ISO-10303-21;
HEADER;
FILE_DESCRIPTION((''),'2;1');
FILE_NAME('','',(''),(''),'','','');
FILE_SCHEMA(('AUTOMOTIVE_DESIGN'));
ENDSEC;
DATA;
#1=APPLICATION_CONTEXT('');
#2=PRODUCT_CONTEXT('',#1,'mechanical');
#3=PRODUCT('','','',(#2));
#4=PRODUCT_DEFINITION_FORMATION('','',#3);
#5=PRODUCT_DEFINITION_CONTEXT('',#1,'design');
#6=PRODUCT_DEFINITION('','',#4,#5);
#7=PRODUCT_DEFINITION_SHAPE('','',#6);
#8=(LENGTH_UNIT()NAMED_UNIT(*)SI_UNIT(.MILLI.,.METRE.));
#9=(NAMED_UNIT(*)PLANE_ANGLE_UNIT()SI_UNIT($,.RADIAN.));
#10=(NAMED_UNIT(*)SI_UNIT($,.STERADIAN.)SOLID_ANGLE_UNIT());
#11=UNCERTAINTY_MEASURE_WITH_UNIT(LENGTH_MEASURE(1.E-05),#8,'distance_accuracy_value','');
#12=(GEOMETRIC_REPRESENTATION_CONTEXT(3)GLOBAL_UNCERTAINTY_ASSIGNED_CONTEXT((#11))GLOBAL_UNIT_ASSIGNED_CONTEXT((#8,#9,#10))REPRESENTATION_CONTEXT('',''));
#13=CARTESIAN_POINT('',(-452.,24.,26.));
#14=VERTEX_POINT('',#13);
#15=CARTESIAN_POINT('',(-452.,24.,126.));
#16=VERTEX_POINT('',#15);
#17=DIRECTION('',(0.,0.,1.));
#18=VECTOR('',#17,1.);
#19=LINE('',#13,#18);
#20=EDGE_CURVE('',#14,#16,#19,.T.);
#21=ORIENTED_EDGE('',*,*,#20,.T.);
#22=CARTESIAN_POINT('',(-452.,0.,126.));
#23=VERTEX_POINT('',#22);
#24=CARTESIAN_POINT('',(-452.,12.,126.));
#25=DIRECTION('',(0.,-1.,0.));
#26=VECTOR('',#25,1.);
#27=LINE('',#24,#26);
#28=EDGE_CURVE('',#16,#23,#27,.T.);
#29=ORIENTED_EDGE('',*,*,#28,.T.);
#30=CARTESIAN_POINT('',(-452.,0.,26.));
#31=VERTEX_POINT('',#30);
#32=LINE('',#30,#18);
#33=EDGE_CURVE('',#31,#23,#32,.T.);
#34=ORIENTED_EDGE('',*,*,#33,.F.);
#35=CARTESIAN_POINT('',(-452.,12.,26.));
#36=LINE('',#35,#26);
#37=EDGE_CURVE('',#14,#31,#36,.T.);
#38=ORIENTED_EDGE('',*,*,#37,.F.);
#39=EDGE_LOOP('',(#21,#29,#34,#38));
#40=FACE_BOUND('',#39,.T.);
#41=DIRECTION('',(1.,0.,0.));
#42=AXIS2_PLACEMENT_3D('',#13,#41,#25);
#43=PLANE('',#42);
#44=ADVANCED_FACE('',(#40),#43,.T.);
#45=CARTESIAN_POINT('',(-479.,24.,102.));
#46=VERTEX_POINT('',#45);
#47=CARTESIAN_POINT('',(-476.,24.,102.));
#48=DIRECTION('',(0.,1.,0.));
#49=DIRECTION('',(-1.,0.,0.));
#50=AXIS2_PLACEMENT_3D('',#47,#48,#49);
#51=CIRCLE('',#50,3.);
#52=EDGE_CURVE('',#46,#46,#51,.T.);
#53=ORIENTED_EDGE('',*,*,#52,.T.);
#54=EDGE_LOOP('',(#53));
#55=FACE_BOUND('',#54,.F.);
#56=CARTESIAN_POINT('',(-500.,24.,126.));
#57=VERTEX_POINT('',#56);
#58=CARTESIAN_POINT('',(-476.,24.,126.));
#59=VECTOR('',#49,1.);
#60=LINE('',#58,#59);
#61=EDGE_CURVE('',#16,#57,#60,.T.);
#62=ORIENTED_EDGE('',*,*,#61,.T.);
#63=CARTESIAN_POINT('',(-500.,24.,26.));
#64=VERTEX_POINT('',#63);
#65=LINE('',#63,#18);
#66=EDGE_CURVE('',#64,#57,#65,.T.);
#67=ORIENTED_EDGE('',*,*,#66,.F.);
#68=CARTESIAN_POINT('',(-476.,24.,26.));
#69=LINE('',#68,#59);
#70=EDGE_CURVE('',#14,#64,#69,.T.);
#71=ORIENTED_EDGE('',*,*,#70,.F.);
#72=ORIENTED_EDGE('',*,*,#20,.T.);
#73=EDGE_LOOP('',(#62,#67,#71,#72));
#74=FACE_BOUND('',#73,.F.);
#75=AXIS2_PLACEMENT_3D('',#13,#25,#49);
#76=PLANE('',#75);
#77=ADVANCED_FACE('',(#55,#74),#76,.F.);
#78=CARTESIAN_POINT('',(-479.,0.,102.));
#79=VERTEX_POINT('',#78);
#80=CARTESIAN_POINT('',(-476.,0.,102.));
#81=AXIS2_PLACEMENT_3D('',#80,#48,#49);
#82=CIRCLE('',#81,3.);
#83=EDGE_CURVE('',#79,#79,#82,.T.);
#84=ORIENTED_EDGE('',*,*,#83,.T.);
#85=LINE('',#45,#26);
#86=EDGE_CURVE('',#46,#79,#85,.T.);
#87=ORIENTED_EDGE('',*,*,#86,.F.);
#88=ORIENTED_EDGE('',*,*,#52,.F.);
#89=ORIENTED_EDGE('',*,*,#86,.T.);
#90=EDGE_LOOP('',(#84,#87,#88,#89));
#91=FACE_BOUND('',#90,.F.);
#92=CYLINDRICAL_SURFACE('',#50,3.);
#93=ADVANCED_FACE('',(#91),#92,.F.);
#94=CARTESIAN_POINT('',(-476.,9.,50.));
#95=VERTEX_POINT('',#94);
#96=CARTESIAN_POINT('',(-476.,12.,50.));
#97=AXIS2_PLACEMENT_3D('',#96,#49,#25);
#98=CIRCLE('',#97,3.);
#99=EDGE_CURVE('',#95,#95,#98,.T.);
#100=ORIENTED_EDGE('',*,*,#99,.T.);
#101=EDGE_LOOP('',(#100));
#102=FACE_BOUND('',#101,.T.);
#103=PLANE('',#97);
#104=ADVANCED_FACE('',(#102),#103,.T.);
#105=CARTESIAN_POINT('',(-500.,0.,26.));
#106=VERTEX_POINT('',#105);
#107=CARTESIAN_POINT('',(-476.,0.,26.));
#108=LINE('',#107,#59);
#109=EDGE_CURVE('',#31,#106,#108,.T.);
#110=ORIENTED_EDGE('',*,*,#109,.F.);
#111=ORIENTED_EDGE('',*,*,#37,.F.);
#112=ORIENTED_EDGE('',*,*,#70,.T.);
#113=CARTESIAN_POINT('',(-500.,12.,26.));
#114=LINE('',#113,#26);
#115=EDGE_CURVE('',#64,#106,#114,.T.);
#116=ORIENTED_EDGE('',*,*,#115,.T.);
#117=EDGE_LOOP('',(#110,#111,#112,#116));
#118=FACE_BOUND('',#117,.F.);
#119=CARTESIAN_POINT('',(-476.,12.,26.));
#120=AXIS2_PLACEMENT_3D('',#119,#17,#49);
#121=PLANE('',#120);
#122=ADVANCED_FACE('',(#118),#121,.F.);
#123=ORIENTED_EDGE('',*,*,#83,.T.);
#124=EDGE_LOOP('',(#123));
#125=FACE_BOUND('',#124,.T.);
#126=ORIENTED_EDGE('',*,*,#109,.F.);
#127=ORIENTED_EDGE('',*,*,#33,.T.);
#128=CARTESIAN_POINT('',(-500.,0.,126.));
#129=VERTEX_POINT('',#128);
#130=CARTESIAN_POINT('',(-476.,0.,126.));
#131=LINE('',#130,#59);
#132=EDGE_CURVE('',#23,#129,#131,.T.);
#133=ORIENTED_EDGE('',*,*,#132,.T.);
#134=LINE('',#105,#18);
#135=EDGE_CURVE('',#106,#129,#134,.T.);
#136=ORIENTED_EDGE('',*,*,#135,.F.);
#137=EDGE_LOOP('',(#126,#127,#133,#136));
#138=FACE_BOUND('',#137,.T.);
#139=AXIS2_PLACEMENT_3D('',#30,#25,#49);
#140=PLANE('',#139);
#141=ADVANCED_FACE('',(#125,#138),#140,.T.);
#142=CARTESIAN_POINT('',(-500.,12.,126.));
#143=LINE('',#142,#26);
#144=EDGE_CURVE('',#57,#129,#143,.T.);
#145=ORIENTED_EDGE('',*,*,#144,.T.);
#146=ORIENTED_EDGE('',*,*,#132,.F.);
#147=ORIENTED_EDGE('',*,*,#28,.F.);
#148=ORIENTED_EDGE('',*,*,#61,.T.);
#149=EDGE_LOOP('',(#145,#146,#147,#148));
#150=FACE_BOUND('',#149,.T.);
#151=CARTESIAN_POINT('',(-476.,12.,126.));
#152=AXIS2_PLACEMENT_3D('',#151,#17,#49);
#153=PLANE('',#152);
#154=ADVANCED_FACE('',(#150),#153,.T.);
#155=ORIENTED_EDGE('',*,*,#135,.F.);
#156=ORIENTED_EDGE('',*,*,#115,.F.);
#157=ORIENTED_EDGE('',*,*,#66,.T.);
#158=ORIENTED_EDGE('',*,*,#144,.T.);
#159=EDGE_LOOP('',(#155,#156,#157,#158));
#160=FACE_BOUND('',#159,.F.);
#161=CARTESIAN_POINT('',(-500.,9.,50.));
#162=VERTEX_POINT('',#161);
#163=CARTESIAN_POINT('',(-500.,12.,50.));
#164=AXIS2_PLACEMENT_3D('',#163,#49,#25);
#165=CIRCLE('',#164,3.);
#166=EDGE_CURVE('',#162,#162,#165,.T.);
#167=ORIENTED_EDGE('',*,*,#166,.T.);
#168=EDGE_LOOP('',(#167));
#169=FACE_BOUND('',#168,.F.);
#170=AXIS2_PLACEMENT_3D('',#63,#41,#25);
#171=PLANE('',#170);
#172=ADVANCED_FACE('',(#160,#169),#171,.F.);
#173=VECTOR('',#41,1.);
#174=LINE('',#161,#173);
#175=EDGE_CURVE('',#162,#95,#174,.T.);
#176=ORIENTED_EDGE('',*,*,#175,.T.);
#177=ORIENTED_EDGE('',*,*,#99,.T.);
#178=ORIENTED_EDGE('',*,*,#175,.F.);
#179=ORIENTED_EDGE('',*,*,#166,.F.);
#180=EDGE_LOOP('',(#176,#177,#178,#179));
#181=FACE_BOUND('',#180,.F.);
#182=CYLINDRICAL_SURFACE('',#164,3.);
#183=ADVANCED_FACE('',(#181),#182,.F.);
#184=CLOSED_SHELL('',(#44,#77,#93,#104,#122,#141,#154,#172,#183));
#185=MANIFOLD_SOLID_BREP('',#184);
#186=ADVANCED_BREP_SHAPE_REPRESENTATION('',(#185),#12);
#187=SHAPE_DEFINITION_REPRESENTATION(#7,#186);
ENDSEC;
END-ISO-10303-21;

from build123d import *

# Parameters (mm, degrees)
SKETCH071_W             = 48
SKETCH071_H             = 24
PAD039_DEPTH            = 100
SKETCH069_R             = 3
POCKET031_DEPTH         = 24
SKETCH070_R             = 3
POCKET030_DEPTH         = 24.001
BODY045_PLACEMENT_ANGLE = 180


with BuildPart() as part:
    # Sketch071 → Pad039 (new body)
    with BuildSketch(Plane.XY):
        with Locations((24, 12)):
            Rectangle(SKETCH071_W, SKETCH071_H)
    extrude(amount=PAD039_DEPTH)

    # Sketch069 (on Face2 of Pad039) → Pocket031 (cut)
    with BuildSketch(Plane.YZ.offset(48)):
        with Locations((12, 24)):
            Circle(SKETCH069_R)
    extrude(amount=-POCKET031_DEPTH, mode=Mode.SUBTRACT)

    # Sketch070 (on Face1 of Pocket031) → Pocket030 (cut, through all)
    with BuildSketch(Plane.XZ):
        with Locations((24, 76)):
            Circle(SKETCH070_R)
    extrude(amount=-POCKET030_DEPTH, mode=Mode.SUBTRACT)


with BuildPart() as part_1:
    # Body045 placement: moved
    add(part.part.moved(Location((-452, 24, 26))).rotate(Axis((-452, 24, 26), (0, 0, 1)), BODY045_PLACEMENT_ANGLE))


solid = part_1.part
